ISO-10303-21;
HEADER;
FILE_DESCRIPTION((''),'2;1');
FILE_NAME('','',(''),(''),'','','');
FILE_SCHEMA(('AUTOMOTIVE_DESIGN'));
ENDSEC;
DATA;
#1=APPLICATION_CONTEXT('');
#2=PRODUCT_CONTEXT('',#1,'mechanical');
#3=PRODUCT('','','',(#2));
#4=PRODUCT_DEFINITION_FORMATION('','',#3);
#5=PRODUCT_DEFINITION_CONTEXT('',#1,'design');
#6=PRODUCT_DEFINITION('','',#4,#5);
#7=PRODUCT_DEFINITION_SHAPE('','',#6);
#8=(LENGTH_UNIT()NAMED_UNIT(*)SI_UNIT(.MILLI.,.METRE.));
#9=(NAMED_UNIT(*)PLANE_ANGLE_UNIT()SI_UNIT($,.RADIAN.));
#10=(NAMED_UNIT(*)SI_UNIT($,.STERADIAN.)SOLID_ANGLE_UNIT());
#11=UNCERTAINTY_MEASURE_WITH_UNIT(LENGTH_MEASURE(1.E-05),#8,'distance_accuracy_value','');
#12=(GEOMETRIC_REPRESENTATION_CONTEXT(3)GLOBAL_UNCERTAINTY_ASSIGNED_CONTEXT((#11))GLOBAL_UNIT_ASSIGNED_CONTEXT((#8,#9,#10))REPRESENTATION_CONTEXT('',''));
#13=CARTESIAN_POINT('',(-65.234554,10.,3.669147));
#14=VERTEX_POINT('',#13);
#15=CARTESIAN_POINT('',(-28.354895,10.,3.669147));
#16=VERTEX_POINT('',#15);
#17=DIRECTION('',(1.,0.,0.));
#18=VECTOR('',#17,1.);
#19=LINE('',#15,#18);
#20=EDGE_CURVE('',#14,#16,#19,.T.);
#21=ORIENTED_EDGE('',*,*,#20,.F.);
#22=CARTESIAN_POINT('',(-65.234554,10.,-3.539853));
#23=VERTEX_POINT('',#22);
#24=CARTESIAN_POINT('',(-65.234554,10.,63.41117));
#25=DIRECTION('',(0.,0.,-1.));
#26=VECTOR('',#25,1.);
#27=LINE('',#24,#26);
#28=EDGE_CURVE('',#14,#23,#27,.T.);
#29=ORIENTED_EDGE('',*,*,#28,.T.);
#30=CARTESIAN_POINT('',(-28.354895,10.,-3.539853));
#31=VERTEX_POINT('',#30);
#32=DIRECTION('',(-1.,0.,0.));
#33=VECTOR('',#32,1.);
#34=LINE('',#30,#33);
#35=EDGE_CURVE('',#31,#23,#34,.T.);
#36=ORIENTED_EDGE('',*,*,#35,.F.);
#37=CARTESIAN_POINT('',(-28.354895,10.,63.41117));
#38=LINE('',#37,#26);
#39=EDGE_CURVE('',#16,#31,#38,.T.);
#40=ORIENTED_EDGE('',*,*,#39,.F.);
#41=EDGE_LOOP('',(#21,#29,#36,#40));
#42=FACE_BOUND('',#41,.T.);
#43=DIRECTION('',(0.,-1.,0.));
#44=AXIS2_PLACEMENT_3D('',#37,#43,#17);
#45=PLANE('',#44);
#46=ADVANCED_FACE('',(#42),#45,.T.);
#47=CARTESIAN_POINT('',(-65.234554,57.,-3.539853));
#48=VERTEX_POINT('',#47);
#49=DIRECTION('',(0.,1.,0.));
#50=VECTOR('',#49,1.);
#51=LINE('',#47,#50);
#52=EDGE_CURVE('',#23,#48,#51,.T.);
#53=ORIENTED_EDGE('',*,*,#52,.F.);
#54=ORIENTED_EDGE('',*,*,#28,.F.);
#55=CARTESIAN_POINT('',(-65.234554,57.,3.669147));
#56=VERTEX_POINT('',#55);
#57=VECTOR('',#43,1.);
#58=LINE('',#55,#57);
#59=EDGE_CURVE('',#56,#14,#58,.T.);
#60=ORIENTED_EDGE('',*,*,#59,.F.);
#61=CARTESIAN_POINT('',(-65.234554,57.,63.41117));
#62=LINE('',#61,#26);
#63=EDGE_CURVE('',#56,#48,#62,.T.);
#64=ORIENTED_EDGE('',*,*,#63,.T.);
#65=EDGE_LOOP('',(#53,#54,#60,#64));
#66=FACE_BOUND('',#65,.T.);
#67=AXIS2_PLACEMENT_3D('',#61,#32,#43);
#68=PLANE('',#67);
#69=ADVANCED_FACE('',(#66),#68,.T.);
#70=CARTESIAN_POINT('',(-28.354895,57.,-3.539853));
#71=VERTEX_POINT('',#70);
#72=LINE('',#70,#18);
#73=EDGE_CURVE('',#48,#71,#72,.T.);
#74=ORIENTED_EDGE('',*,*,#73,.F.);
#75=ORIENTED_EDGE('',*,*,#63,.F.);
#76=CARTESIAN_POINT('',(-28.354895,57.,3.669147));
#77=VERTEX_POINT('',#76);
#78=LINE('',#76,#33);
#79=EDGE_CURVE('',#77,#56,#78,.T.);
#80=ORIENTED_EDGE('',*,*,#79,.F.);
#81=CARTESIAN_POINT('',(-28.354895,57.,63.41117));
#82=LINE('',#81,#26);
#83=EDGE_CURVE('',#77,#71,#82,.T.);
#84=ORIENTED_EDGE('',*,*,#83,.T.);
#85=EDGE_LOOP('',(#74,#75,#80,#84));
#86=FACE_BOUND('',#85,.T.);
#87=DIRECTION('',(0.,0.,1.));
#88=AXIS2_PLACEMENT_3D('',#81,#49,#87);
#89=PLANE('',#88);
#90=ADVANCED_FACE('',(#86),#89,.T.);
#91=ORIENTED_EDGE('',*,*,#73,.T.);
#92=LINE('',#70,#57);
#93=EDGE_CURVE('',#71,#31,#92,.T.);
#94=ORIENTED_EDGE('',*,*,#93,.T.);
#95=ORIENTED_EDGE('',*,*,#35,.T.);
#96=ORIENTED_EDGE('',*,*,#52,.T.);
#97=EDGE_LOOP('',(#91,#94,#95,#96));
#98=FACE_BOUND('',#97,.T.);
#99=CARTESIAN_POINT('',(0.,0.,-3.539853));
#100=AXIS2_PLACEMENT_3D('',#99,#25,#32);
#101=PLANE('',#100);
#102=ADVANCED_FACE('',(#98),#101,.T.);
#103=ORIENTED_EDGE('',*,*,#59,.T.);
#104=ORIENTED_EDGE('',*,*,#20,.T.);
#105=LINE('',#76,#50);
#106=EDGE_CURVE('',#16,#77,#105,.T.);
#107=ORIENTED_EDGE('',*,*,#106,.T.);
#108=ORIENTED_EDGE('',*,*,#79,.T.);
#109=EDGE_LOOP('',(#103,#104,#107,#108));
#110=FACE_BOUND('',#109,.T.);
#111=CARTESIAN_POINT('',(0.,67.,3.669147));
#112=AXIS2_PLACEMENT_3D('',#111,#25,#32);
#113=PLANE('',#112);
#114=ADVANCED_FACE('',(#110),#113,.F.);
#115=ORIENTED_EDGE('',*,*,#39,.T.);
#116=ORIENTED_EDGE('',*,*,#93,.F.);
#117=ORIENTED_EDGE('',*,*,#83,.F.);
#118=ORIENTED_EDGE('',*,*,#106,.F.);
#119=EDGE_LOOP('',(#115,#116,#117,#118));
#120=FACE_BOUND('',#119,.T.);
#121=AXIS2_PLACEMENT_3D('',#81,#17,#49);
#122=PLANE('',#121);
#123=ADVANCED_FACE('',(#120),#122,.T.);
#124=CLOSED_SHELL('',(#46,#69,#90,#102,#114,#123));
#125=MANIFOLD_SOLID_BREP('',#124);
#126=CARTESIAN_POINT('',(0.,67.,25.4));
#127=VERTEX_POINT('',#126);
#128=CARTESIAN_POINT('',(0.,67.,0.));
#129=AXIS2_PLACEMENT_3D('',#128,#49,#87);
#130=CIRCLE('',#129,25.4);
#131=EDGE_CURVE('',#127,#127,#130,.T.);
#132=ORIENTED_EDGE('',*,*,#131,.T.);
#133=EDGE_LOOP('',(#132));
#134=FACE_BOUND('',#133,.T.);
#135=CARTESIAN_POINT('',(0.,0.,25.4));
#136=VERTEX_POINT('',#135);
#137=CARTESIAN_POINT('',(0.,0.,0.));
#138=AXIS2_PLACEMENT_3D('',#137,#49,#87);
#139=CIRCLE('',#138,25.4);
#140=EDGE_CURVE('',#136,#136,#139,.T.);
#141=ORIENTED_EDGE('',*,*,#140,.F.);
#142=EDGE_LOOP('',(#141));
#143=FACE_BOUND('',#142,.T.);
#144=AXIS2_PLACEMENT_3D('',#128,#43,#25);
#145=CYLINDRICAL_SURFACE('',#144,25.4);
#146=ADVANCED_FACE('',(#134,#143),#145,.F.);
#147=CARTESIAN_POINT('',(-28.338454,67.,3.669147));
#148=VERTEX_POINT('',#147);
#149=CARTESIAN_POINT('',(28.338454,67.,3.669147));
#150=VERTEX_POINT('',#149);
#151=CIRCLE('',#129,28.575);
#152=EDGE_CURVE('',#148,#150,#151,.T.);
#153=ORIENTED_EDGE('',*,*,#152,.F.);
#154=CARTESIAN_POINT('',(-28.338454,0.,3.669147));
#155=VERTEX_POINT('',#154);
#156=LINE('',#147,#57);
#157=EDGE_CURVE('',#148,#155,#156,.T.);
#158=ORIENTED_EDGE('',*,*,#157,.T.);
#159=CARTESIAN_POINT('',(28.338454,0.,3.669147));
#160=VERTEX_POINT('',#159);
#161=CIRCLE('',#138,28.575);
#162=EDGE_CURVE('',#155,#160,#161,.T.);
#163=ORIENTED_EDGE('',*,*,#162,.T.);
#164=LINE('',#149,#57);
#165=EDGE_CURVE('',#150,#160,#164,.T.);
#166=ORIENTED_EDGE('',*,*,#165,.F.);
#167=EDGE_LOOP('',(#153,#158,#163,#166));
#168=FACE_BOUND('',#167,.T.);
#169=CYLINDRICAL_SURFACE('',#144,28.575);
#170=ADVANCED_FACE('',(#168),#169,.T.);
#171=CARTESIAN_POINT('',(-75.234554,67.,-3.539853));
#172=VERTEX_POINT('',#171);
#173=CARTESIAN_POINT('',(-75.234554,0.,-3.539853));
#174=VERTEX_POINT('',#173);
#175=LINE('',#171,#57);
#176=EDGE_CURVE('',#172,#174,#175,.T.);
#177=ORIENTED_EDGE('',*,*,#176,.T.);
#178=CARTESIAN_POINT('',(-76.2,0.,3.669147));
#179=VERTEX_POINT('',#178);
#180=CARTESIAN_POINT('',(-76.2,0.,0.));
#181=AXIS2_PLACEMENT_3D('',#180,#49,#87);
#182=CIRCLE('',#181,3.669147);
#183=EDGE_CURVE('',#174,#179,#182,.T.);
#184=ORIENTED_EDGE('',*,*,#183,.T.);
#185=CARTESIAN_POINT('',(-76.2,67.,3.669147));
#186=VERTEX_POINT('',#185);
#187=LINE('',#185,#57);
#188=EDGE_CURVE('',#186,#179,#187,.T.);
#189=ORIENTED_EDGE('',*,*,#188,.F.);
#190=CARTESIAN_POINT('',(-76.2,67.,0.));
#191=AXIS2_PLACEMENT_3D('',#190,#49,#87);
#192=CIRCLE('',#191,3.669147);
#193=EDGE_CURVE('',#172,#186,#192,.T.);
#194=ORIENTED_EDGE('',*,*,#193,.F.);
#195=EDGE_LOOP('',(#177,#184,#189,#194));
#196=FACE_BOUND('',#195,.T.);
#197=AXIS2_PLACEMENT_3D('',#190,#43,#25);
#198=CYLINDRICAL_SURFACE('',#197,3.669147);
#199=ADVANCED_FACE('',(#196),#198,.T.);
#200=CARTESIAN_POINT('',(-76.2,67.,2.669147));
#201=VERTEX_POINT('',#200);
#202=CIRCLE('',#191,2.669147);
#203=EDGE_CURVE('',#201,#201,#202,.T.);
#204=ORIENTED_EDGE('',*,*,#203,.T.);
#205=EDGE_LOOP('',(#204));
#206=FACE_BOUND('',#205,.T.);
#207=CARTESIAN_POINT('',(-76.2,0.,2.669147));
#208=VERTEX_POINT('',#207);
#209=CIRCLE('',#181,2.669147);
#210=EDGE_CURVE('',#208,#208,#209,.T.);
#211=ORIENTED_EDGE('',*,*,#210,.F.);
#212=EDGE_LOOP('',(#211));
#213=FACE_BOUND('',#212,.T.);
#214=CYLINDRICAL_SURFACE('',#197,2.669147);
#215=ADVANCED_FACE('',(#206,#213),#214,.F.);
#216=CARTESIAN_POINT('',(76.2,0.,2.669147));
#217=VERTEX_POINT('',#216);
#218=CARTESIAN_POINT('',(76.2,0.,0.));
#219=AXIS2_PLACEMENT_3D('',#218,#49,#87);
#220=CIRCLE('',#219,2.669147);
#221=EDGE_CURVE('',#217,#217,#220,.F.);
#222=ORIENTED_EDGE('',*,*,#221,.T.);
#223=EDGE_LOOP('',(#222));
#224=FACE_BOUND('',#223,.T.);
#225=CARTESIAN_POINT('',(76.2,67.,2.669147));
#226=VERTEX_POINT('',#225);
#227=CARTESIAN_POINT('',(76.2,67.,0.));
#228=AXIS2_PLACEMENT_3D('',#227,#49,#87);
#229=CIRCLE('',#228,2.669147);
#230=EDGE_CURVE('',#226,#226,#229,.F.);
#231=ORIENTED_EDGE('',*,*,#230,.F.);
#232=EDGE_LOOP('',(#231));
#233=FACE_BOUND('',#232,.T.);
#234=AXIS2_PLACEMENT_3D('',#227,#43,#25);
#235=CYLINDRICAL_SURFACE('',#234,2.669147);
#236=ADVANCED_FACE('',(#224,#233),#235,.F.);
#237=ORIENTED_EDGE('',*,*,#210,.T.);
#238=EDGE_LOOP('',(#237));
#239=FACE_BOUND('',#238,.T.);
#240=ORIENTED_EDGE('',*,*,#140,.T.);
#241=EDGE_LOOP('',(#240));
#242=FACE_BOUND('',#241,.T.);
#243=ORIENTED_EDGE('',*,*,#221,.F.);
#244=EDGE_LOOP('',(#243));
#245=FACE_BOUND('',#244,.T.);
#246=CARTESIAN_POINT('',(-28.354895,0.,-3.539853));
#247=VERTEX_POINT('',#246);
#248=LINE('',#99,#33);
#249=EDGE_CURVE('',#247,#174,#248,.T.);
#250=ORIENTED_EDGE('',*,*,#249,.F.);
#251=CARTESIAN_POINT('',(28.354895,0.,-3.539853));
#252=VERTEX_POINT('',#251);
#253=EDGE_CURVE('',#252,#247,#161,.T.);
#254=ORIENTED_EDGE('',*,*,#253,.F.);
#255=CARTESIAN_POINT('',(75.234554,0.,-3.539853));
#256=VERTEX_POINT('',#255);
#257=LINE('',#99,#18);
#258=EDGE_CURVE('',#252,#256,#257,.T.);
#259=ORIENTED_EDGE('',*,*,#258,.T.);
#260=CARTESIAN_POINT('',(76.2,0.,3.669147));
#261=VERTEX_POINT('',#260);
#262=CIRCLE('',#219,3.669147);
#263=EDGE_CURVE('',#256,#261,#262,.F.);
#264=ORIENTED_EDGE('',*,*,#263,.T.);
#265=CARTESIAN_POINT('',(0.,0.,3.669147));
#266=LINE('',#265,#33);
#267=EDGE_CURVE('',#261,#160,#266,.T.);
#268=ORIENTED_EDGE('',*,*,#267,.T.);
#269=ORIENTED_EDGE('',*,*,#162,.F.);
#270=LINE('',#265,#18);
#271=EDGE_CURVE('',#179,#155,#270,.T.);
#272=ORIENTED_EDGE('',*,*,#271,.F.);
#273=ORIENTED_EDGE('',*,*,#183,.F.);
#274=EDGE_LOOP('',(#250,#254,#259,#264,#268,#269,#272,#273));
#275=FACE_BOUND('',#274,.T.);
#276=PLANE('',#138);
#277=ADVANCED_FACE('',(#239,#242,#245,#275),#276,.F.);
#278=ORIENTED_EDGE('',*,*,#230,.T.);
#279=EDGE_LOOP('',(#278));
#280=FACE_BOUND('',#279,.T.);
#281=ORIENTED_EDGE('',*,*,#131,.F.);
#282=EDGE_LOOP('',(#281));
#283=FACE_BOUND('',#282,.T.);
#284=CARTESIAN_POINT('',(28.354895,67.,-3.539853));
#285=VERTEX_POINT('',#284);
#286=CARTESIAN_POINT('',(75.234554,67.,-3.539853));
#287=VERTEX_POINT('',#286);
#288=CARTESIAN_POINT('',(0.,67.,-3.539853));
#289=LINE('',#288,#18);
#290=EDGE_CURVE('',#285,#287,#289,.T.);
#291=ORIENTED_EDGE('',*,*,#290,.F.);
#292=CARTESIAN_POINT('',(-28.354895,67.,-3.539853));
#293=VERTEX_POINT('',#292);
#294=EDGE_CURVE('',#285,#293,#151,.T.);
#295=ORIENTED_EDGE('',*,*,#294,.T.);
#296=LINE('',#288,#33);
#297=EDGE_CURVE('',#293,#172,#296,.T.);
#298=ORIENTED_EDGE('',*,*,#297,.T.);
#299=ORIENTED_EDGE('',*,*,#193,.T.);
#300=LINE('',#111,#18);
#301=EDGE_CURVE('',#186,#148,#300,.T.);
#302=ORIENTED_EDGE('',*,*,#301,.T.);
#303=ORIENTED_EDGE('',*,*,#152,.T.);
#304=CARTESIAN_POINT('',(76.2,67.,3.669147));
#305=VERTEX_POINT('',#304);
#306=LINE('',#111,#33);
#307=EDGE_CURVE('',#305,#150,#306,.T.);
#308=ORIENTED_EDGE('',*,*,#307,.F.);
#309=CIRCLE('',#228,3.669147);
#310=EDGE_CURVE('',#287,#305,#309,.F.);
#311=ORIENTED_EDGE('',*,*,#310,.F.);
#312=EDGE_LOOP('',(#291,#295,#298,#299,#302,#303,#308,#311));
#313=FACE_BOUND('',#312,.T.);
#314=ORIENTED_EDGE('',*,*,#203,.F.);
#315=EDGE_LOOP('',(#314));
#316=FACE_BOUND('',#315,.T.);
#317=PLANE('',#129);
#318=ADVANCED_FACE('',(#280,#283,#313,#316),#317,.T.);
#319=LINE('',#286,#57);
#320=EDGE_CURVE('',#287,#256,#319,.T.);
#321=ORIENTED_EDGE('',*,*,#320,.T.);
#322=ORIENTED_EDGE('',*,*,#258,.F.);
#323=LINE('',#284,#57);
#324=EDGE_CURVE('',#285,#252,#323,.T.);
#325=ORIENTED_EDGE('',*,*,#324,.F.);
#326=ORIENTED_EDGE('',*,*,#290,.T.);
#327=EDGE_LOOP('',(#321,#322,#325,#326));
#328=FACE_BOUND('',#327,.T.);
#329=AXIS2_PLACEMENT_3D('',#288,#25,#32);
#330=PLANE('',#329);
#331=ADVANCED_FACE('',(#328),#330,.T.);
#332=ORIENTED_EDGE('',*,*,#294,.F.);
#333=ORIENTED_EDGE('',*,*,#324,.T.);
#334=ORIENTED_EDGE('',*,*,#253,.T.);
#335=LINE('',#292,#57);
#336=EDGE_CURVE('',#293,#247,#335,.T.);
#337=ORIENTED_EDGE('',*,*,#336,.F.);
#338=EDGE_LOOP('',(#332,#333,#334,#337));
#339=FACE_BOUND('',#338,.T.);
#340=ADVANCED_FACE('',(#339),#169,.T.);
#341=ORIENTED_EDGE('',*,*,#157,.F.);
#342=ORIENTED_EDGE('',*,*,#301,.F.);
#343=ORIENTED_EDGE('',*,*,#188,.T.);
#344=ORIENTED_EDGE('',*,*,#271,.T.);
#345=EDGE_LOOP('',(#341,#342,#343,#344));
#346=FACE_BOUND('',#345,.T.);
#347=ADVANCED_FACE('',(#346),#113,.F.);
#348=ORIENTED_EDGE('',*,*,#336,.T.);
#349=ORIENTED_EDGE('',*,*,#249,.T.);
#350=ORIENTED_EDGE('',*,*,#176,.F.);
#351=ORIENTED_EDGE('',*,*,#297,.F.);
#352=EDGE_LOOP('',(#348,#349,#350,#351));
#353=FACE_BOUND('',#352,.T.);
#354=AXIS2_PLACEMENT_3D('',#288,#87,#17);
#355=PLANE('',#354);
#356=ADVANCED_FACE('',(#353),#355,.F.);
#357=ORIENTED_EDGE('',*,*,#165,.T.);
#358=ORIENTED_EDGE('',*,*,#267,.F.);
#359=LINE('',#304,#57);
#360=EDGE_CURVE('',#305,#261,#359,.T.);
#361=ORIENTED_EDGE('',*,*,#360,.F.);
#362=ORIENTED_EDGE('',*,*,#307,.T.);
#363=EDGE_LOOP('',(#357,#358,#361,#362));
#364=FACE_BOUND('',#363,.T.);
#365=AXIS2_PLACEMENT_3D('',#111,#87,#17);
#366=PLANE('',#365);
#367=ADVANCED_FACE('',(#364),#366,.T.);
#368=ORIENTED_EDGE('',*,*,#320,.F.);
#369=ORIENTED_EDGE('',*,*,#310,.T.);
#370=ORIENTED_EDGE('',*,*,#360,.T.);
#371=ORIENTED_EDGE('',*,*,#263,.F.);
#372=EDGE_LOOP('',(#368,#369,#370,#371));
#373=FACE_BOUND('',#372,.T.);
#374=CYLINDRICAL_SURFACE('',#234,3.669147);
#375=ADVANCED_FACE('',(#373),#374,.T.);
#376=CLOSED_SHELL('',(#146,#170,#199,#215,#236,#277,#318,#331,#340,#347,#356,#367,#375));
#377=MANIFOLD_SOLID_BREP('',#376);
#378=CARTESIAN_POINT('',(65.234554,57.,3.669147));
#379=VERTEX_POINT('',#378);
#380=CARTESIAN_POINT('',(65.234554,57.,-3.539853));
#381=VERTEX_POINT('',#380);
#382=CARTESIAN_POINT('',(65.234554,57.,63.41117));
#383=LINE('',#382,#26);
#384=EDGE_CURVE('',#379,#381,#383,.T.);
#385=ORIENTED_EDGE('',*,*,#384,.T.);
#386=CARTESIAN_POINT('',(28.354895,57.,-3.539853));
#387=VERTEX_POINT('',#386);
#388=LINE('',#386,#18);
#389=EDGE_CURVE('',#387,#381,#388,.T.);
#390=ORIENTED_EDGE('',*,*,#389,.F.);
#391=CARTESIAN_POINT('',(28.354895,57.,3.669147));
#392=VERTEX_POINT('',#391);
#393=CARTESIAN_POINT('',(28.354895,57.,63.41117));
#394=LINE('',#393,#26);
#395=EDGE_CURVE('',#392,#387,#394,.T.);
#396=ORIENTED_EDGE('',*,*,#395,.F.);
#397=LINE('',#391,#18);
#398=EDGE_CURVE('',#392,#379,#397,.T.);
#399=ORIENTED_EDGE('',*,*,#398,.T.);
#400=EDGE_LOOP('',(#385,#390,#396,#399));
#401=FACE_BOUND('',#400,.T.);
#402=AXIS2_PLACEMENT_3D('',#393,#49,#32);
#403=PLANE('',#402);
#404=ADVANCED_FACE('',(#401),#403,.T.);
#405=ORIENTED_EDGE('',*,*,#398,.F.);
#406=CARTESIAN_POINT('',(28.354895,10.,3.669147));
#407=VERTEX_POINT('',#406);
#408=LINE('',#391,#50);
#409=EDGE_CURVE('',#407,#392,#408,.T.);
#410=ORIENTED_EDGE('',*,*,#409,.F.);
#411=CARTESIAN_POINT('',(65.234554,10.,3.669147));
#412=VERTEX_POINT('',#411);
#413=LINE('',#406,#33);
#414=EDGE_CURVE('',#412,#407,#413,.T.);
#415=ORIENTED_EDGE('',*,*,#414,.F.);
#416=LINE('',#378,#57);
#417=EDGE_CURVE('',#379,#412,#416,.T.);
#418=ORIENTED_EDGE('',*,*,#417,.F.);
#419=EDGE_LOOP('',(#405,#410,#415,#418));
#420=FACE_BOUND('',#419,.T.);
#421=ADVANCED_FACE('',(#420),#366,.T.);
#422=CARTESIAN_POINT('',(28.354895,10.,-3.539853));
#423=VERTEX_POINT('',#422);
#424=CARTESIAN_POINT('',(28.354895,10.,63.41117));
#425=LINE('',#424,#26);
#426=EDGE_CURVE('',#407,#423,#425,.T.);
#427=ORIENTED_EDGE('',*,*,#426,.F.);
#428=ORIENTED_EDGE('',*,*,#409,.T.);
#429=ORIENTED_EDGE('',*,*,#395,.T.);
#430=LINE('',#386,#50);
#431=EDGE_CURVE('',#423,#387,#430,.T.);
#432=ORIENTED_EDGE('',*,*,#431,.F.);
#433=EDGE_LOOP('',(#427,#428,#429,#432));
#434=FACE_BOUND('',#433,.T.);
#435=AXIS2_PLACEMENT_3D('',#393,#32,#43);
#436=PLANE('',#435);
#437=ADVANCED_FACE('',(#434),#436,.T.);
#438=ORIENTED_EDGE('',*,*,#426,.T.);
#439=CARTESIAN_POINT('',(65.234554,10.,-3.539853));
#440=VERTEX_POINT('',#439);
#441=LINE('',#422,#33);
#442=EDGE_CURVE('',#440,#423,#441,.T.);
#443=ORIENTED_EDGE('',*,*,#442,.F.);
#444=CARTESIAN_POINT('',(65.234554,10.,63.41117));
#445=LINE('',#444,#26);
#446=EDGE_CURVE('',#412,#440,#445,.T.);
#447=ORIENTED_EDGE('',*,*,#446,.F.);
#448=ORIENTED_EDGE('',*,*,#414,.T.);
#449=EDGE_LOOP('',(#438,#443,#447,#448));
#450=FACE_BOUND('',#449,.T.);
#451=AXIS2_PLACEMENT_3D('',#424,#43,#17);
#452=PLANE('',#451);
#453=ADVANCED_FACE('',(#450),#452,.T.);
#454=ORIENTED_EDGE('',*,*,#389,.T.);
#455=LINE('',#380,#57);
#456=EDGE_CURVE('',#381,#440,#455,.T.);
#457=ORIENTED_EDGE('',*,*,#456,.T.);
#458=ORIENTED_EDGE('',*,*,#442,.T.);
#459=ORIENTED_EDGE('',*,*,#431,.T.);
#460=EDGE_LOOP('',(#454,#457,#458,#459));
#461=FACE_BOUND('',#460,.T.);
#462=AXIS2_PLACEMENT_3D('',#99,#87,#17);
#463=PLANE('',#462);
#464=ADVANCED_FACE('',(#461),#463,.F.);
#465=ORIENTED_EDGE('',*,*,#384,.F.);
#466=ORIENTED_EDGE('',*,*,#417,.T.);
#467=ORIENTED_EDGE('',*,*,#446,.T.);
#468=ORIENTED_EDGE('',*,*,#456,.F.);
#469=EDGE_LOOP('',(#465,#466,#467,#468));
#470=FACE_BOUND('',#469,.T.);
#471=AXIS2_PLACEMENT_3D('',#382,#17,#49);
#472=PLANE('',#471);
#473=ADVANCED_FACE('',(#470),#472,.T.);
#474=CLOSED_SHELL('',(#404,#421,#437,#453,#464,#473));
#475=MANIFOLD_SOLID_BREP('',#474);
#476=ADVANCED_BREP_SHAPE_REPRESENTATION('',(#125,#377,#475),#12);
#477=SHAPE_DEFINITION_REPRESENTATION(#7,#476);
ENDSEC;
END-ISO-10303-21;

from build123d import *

# Parameters (mm, degrees)
SKETCH1_R           = 25.4
SKETCH1_R_2         = 2.669147435
BOSS_EXTRUDE1_DEPTH = 67
SKETCH4_W           = 36.879658646
SKETCH4_H           = 47
BOSS_EXTRUDE2_DEPTH = 7.209
SKETCH5_W           = 36.879658646
SKETCH5_H           = 47
BOSS_EXTRUDE3_DEPTH = 7.209


with BuildPart() as part:
    # Sketch1 → Boss-Extrude1 (new body)
    with BuildSketch(Plane(origin=(0, 0, 0), x_dir=(1, 0, 0), z_dir=(0, 1, 0))):
        with BuildLine():
            ThreePointArc((76.2, -3.669147435), (79.83668007, 0.487032823), (75.234553617, 3.539852565))
            Line((75.234553617, 3.539852565), (28.354894971, 3.539852565))
            ThreePointArc((28.354894971, 3.539852565), (0, 28.575), (-28.354894971, 3.539852565))
            Line((-28.354894971, 3.539852565), (-75.234553617, 3.539852565))
            ThreePointArc((-75.234553617, 3.539852565), (-79.83668007, 0.487032823), (-76.2, -3.669147435))
            Line((-76.2, -3.669147435), (-28.338454123, -3.669147435))
            ThreePointArc((-28.338454123, -3.669147435), (0, -28.575), (28.338454123, -3.669147435))
            Line((28.338454123, -3.669147435), (76.2, -3.669147435))
        make_face()
        Circle(SKETCH1_R, mode=Mode.SUBTRACT)
        with Locations((-76.2, 0)):
            Circle(SKETCH1_R_2, mode=Mode.SUBTRACT)
        with Locations((76.2, 0)):
            Circle(SKETCH1_R_2, mode=Mode.SUBTRACT)
    extrude(amount=BOSS_EXTRUDE1_DEPTH)


with BuildPart() as body_2:
    # Sketch4 → Boss-Extrude2 (new body)
    with BuildSketch(Plane(origin=(0, 0, -3.539852565), x_dir=(-1, 0, 0), z_dir=(0, 0, -1))):
        with Locations((46.794724294, 33.5)):
            Rectangle(SKETCH4_W, SKETCH4_H)
    extrude(amount=-BOSS_EXTRUDE2_DEPTH)


with BuildPart() as body_3:
    # Sketch5 → Boss-Extrude3 (new body)
    with BuildSketch(Plane(origin=(0, 0, -3.539852565), x_dir=(-1, 0, 0), z_dir=(0, 0, -1))):
        with Locations((-46.794724294, 33.5)):
            Rectangle(SKETCH5_W, SKETCH5_H)
    extrude(amount=-BOSS_EXTRUDE3_DEPTH)


solid = Compound([part.part, body_2.part, body_3.part])
